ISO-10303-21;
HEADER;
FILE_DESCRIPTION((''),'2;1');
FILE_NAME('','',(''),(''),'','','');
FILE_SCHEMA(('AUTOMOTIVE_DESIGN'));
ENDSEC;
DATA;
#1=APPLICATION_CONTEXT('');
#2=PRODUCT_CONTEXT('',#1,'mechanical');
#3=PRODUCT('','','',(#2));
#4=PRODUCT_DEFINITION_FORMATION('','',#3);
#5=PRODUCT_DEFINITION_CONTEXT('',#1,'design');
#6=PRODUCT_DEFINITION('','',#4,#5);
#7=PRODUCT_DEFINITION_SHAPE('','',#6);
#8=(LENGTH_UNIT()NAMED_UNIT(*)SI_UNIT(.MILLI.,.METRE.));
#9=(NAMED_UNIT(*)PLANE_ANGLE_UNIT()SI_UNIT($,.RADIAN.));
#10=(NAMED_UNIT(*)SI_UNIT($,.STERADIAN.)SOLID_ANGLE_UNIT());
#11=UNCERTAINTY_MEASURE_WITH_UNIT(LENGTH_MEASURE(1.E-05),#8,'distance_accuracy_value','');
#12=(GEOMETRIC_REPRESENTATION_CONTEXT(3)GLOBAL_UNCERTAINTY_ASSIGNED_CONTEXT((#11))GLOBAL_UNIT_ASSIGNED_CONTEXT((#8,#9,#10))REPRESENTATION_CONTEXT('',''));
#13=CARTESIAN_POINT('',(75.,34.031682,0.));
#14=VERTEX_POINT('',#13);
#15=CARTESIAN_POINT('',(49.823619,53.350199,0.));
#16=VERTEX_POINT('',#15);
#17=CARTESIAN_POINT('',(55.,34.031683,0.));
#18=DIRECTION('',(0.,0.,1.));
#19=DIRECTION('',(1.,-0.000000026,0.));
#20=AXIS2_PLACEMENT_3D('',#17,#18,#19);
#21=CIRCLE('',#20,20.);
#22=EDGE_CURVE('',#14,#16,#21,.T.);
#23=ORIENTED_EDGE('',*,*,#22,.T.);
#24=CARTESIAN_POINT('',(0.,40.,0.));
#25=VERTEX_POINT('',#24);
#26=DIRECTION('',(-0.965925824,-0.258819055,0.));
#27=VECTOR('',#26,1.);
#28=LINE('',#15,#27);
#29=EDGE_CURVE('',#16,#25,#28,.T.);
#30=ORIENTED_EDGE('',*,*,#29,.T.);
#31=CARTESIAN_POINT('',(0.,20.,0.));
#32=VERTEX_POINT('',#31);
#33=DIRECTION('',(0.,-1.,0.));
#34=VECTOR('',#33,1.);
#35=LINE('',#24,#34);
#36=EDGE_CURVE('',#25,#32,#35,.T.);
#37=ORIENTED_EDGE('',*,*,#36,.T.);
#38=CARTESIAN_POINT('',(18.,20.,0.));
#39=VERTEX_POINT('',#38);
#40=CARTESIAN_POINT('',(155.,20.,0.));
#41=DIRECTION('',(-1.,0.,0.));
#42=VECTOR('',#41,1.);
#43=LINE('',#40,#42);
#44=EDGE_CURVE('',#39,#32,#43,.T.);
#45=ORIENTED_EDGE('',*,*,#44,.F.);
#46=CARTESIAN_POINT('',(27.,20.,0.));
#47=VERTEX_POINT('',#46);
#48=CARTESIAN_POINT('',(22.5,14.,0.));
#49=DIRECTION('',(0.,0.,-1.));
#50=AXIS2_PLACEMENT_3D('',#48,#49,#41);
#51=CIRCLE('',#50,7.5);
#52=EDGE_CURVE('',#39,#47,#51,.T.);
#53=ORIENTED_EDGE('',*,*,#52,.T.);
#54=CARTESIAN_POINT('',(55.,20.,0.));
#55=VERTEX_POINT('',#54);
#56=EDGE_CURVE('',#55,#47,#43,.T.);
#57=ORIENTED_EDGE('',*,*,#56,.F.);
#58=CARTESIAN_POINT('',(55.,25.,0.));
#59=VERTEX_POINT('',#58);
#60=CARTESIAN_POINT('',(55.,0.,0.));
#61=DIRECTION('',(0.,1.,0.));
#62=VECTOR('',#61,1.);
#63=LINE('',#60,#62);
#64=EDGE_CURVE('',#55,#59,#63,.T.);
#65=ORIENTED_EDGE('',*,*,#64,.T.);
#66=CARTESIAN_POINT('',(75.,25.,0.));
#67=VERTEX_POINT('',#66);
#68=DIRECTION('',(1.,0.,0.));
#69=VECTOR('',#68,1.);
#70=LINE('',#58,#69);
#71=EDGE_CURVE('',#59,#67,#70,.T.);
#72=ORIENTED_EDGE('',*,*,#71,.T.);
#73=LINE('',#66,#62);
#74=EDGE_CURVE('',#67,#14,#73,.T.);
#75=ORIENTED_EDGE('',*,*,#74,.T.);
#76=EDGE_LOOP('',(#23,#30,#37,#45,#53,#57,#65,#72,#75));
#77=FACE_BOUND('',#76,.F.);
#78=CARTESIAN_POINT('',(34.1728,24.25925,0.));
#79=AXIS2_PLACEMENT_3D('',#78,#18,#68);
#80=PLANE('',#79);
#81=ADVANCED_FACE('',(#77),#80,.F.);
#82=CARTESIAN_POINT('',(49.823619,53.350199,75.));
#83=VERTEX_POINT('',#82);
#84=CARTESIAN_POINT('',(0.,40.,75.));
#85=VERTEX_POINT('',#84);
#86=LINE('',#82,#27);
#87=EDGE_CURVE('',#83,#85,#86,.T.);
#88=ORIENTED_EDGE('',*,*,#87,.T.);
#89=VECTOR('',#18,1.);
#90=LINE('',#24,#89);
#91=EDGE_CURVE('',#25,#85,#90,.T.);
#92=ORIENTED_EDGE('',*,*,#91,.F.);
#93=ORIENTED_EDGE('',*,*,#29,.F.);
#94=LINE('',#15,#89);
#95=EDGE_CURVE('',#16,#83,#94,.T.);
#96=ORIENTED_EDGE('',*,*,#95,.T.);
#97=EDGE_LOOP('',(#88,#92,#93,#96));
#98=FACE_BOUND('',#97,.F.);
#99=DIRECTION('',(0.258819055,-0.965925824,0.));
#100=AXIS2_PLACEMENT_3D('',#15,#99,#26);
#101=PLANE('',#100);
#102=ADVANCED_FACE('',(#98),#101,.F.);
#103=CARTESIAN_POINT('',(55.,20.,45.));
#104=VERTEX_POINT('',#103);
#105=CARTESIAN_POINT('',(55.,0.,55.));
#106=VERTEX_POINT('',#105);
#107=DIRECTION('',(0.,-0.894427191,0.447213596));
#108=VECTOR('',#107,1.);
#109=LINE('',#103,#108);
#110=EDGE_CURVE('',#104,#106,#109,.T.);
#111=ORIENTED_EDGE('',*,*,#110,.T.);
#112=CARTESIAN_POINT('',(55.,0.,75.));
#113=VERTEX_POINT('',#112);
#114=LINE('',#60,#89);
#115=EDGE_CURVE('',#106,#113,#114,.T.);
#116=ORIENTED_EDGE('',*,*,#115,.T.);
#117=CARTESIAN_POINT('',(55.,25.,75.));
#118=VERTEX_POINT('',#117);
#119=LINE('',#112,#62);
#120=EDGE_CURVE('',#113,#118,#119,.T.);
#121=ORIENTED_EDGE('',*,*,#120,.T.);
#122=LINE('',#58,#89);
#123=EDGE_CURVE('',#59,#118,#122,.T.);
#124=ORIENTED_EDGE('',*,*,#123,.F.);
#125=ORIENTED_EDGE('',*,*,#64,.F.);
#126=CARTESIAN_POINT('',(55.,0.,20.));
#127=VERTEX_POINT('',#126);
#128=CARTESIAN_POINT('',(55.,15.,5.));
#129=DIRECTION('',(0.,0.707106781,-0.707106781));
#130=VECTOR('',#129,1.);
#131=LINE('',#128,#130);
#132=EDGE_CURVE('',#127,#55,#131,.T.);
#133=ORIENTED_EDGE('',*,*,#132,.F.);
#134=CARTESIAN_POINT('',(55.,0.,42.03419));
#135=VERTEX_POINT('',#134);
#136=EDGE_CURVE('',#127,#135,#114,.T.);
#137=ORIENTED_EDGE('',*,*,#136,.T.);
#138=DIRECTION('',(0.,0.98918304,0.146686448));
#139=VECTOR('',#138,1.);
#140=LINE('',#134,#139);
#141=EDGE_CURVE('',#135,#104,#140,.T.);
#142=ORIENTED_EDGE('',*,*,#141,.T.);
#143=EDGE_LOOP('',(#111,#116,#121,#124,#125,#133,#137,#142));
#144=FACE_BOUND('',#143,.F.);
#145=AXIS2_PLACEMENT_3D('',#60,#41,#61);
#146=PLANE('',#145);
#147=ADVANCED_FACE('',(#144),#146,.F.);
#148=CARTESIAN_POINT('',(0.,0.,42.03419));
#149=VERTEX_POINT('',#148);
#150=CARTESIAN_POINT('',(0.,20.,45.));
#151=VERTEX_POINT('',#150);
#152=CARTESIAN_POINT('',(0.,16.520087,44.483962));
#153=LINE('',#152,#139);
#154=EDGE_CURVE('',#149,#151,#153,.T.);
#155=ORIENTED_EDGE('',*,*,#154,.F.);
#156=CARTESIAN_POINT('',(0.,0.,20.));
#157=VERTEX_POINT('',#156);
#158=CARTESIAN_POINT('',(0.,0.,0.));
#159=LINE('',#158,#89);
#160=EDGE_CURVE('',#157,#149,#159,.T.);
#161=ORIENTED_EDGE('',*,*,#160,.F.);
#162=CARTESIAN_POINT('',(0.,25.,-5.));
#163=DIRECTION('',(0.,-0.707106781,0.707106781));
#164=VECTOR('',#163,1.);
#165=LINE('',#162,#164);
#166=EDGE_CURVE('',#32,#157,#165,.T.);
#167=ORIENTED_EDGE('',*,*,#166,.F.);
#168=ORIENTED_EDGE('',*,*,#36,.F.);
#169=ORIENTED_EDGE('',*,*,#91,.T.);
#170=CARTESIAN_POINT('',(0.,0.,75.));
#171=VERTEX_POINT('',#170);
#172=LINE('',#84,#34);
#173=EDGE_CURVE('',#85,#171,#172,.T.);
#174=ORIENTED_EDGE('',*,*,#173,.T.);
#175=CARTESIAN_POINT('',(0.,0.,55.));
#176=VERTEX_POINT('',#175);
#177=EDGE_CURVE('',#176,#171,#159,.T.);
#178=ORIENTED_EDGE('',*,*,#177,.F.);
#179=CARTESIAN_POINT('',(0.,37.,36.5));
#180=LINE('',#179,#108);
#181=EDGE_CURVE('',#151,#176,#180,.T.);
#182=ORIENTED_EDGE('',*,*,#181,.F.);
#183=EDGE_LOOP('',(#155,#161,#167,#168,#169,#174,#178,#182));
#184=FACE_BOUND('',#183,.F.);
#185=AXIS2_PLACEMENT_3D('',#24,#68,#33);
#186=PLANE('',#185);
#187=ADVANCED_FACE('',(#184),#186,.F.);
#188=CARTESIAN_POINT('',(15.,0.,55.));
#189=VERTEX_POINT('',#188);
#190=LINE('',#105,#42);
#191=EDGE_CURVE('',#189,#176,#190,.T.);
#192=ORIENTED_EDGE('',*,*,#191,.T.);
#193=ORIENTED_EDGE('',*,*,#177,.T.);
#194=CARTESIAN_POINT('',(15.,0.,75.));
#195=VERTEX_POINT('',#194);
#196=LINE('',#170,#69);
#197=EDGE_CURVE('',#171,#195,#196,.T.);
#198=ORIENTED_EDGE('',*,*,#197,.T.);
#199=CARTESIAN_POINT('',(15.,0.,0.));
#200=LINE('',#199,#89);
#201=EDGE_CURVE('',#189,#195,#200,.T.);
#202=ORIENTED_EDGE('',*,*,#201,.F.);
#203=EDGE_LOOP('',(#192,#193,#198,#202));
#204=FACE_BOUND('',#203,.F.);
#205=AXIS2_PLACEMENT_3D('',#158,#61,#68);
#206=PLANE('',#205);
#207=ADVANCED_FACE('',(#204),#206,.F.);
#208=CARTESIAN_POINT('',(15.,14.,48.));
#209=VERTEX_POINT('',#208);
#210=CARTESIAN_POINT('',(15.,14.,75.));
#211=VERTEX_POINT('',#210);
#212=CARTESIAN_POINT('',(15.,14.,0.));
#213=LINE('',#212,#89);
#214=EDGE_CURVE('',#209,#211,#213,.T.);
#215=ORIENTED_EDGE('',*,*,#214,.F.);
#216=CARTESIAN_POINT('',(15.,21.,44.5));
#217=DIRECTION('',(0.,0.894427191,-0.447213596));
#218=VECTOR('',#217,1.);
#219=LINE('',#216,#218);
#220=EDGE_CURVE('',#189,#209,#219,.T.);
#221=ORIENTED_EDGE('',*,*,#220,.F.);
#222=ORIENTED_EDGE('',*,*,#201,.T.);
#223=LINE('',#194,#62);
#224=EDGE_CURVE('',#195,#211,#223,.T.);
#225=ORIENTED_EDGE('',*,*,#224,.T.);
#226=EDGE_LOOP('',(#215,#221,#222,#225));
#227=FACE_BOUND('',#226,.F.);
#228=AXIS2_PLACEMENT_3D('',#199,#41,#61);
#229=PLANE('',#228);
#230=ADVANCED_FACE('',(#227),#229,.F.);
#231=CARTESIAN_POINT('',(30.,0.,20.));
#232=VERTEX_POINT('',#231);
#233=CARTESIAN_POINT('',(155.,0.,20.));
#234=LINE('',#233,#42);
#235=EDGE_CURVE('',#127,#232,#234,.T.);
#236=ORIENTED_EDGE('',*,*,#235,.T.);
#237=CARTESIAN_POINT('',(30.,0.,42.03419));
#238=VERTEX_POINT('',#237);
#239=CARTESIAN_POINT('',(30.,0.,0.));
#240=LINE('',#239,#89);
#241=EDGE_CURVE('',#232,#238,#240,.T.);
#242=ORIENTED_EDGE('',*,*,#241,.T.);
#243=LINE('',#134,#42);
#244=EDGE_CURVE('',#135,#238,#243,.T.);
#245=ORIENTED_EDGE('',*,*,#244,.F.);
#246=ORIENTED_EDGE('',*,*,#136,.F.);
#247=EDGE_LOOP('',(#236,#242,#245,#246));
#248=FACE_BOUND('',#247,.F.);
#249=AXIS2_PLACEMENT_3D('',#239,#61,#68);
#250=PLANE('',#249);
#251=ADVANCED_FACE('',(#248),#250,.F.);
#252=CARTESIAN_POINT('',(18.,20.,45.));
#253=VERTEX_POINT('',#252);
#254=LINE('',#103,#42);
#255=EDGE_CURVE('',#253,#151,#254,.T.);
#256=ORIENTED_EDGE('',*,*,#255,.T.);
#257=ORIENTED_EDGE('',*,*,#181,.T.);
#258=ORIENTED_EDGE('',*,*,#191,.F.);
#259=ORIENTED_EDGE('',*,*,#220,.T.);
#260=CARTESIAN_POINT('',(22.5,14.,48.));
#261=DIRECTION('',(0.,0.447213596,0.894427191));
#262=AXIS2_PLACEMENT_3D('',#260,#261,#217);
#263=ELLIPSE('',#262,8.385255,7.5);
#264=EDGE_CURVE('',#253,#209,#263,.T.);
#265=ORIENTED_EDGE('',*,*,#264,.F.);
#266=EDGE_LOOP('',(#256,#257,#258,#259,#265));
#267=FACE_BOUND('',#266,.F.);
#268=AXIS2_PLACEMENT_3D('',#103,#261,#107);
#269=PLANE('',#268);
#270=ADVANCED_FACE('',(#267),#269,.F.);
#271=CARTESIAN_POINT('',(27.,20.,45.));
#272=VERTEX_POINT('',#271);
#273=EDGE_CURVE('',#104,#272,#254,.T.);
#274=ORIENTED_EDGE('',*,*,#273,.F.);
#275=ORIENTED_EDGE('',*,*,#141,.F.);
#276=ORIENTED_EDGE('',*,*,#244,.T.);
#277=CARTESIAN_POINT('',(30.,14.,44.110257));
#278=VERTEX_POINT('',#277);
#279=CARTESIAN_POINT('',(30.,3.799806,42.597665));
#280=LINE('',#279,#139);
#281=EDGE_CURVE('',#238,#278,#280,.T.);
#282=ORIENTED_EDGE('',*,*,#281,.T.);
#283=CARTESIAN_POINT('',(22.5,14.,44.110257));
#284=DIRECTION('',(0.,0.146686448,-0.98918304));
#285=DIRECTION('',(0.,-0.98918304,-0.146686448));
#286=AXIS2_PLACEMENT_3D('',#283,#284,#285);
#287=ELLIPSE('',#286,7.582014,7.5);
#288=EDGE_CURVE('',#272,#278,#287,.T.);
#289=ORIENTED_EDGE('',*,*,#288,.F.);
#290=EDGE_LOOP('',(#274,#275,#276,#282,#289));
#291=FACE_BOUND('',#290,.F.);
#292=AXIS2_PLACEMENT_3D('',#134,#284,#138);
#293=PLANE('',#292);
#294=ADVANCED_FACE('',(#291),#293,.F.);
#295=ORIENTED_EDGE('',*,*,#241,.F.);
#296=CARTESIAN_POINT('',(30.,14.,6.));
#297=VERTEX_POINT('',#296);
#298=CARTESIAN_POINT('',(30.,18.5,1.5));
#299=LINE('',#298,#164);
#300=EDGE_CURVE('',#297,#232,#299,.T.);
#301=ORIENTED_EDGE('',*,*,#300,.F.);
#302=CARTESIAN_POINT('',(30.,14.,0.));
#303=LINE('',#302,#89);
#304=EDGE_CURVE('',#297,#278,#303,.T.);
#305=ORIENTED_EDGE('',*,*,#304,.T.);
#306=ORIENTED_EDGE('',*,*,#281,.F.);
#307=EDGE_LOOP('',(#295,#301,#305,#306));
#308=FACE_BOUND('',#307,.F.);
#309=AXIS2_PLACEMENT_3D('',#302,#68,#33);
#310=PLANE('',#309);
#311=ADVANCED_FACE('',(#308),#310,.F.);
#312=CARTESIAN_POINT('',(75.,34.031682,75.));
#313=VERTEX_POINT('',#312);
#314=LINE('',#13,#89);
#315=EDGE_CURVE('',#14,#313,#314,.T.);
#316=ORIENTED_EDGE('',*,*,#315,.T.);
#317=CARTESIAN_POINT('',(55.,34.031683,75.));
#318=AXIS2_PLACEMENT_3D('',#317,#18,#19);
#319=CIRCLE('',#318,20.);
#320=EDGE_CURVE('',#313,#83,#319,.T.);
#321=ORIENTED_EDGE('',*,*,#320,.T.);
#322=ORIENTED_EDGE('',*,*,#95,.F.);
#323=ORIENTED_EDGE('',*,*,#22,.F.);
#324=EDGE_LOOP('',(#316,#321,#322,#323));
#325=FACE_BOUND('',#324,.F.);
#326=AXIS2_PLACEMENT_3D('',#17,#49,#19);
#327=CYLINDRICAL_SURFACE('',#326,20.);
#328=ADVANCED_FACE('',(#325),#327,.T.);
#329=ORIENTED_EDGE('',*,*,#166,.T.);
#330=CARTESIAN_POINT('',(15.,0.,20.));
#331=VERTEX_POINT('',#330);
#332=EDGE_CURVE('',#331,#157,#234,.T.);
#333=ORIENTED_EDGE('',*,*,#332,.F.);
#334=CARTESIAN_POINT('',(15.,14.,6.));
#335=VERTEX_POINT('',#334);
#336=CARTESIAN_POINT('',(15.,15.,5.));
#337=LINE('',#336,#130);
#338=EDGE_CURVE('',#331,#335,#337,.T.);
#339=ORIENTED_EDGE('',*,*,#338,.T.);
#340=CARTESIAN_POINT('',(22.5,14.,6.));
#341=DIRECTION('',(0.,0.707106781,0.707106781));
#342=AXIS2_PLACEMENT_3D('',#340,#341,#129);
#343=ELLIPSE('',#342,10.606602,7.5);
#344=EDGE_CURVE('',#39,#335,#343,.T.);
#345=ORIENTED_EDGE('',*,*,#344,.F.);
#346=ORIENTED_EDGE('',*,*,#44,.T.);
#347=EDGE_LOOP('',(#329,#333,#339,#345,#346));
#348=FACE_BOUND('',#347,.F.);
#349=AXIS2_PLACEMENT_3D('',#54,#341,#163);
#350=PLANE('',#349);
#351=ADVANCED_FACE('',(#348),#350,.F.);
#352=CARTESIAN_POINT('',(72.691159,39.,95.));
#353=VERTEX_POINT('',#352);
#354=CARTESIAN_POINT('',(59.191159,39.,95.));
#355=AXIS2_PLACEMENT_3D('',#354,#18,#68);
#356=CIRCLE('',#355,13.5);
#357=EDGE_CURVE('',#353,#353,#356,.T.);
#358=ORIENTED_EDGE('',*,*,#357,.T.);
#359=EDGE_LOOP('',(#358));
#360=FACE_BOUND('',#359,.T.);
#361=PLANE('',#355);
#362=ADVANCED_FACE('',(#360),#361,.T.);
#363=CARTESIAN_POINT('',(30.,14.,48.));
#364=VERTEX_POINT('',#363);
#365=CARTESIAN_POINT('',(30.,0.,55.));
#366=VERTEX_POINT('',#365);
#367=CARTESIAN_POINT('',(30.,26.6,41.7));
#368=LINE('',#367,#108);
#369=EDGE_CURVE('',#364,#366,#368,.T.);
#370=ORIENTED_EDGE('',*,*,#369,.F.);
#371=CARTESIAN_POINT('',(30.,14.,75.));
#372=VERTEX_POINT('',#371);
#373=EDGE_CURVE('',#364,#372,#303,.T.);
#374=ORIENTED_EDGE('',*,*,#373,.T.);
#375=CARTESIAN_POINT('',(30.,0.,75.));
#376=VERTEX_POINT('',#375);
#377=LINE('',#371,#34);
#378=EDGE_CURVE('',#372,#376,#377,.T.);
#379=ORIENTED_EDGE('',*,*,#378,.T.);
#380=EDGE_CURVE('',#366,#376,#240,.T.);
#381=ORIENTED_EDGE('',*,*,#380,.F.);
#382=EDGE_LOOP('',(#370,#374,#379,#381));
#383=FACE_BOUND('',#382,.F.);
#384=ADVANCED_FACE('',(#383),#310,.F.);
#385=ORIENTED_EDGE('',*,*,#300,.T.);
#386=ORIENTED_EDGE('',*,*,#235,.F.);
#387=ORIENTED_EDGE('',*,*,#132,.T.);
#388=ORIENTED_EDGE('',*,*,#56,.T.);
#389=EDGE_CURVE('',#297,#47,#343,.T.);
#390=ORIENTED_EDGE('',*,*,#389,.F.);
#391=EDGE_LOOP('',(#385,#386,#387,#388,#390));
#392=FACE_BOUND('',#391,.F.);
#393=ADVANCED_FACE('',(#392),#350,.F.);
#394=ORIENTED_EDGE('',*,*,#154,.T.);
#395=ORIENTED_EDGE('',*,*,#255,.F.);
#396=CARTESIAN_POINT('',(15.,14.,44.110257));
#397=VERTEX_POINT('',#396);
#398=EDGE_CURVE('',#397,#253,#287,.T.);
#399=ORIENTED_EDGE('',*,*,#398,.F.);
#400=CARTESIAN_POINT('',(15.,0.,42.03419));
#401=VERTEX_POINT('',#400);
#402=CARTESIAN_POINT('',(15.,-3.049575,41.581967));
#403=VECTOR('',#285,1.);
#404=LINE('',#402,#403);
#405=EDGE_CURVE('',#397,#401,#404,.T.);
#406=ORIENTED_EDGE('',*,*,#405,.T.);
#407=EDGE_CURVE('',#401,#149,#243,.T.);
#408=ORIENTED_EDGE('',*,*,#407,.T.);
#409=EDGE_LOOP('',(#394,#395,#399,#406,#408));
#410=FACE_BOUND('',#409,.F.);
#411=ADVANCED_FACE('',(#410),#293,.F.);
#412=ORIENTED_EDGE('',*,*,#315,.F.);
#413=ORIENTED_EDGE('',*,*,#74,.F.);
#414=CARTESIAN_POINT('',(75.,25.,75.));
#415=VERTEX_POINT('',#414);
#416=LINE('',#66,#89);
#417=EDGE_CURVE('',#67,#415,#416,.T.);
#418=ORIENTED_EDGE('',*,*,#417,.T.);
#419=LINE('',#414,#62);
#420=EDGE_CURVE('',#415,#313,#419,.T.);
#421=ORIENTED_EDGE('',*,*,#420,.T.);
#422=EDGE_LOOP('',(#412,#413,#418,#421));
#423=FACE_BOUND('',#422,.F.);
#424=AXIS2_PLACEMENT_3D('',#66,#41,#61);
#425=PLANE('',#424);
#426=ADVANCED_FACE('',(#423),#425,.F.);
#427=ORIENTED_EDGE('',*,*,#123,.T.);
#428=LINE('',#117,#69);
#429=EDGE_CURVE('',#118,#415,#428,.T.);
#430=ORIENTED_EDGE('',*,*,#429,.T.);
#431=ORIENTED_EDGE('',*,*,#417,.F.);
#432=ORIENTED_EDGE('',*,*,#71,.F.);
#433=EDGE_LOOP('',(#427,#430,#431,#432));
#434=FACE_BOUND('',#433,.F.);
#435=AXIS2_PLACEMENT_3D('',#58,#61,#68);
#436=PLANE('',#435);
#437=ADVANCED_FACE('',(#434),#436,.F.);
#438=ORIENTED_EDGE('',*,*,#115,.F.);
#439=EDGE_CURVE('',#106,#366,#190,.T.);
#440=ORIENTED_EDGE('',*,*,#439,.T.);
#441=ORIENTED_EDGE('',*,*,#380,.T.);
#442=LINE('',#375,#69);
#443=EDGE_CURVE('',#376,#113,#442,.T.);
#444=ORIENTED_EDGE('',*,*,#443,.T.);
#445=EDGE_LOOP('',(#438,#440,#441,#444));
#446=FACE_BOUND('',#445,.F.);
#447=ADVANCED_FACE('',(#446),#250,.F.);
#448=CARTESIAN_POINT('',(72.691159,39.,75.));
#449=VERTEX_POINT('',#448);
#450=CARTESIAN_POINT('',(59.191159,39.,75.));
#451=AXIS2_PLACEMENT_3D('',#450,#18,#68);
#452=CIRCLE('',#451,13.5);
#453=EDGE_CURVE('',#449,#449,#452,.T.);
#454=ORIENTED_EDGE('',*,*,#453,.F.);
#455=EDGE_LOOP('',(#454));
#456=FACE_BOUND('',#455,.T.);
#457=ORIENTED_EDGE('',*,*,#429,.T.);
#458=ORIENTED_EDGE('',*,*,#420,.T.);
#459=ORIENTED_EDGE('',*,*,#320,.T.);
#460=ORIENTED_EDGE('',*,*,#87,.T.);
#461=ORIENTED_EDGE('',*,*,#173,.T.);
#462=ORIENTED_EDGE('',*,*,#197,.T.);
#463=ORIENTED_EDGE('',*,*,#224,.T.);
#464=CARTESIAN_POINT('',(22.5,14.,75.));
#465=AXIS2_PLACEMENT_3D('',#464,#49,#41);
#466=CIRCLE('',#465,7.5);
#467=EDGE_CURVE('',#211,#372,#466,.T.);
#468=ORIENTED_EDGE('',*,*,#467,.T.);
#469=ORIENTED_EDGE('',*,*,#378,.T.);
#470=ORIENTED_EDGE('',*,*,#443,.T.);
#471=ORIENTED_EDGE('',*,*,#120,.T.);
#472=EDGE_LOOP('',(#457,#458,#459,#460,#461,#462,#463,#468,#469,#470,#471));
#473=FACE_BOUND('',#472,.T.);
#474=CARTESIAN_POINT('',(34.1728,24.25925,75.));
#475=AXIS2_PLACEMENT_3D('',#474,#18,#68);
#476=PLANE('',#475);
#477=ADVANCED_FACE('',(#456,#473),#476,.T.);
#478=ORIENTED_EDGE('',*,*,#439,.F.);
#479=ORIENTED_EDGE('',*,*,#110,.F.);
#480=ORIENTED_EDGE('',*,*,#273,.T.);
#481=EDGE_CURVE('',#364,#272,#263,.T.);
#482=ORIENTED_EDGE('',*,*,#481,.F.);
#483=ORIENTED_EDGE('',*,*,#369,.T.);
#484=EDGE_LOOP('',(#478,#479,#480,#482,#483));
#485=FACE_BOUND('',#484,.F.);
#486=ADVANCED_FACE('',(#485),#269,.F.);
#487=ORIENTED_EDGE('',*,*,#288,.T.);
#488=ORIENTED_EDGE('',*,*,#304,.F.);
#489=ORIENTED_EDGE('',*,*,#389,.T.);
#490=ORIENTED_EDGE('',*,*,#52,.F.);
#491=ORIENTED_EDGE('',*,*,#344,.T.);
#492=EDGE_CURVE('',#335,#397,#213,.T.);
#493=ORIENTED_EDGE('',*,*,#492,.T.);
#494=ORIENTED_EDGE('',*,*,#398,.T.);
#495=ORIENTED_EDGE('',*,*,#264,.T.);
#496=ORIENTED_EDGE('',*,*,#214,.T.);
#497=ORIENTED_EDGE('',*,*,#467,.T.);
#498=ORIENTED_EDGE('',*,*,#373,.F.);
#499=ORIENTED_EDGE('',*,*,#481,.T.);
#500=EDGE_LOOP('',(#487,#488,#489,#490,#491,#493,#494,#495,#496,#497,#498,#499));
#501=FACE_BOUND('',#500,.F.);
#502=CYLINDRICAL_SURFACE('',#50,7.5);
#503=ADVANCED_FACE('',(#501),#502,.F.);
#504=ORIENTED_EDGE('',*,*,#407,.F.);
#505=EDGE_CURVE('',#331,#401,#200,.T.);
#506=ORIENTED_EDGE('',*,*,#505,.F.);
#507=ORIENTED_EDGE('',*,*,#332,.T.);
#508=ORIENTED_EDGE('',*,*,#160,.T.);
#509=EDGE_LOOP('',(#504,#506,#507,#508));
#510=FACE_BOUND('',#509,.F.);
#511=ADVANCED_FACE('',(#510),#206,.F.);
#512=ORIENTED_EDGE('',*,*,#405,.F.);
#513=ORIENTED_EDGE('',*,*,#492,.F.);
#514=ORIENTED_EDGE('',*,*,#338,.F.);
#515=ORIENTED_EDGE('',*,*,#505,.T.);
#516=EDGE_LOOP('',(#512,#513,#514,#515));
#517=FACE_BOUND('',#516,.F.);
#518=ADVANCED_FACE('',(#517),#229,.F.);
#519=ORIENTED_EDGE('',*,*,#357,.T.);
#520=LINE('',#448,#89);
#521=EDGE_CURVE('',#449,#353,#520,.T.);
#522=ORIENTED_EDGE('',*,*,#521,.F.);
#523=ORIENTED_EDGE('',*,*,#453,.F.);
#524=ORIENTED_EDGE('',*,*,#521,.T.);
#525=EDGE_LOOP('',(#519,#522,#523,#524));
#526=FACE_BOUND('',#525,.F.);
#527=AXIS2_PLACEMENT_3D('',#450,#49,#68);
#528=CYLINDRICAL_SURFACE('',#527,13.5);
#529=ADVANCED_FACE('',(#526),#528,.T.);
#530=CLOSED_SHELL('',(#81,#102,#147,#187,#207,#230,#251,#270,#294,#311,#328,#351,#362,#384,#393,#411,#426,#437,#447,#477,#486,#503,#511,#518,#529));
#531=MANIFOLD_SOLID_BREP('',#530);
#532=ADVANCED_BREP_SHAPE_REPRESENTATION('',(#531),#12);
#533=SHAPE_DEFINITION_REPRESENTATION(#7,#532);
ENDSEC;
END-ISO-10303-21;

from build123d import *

# Parameters (mm, degrees)
F1_DEPTH = 75
F3_DEPTH = 100
F5_DEPTH = 100
F6_R     = 13.5
F7_DEPTH = 20


with BuildPart() as f1:
    # F0 (on Top) → F1 (new body)
    with BuildSketch(Plane.XY):
        with BuildLine():
            Line((0, 40), (0, 0))
            Line((0, 0), (15, 0))
            Line((15, 0), (15, 14))
            ThreePointArc((15, 14), (22.5, 21.5), (30, 14))
            Line((30, 14), (30, 0))
            Line((30, 0), (55, 0))
            Line((55, 0), (55, 25))
            Line((55, 25), (75, 25))
            Line((75, 25), (75, 34.031682))
            ThreePointArc((75, 34.031682), (67.175229, 49.898749), (49.823619, 53.350199))
            Line((49.823619, 53.350199), (0, 40))
        make_face()
    extrude(amount=F1_DEPTH)

    # F2 (on face) → F3 (cut, symmetric)
    with BuildSketch(Plane.YZ.offset(55)):
        Polygon((0, 20), (0, 0), (20, 0), align=None)
    extrude(amount=F3_DEPTH, both=True, mode=Mode.SUBTRACT)

    # F4 (on face) → F5 (cut)
    with BuildSketch(Plane.YZ.offset(55)):
        Polygon((0, 42.03419), (20, 45), (0, 55), align=None)
    extrude(amount=-F5_DEPTH, mode=Mode.SUBTRACT)

    # F6 (on face) → F7 (join)
    with BuildSketch(Plane.XY.offset(75)):
        with Locations((59.191159, 39)):
            Circle(F6_R)
    extrude(amount=F7_DEPTH)


solid = f1.part
